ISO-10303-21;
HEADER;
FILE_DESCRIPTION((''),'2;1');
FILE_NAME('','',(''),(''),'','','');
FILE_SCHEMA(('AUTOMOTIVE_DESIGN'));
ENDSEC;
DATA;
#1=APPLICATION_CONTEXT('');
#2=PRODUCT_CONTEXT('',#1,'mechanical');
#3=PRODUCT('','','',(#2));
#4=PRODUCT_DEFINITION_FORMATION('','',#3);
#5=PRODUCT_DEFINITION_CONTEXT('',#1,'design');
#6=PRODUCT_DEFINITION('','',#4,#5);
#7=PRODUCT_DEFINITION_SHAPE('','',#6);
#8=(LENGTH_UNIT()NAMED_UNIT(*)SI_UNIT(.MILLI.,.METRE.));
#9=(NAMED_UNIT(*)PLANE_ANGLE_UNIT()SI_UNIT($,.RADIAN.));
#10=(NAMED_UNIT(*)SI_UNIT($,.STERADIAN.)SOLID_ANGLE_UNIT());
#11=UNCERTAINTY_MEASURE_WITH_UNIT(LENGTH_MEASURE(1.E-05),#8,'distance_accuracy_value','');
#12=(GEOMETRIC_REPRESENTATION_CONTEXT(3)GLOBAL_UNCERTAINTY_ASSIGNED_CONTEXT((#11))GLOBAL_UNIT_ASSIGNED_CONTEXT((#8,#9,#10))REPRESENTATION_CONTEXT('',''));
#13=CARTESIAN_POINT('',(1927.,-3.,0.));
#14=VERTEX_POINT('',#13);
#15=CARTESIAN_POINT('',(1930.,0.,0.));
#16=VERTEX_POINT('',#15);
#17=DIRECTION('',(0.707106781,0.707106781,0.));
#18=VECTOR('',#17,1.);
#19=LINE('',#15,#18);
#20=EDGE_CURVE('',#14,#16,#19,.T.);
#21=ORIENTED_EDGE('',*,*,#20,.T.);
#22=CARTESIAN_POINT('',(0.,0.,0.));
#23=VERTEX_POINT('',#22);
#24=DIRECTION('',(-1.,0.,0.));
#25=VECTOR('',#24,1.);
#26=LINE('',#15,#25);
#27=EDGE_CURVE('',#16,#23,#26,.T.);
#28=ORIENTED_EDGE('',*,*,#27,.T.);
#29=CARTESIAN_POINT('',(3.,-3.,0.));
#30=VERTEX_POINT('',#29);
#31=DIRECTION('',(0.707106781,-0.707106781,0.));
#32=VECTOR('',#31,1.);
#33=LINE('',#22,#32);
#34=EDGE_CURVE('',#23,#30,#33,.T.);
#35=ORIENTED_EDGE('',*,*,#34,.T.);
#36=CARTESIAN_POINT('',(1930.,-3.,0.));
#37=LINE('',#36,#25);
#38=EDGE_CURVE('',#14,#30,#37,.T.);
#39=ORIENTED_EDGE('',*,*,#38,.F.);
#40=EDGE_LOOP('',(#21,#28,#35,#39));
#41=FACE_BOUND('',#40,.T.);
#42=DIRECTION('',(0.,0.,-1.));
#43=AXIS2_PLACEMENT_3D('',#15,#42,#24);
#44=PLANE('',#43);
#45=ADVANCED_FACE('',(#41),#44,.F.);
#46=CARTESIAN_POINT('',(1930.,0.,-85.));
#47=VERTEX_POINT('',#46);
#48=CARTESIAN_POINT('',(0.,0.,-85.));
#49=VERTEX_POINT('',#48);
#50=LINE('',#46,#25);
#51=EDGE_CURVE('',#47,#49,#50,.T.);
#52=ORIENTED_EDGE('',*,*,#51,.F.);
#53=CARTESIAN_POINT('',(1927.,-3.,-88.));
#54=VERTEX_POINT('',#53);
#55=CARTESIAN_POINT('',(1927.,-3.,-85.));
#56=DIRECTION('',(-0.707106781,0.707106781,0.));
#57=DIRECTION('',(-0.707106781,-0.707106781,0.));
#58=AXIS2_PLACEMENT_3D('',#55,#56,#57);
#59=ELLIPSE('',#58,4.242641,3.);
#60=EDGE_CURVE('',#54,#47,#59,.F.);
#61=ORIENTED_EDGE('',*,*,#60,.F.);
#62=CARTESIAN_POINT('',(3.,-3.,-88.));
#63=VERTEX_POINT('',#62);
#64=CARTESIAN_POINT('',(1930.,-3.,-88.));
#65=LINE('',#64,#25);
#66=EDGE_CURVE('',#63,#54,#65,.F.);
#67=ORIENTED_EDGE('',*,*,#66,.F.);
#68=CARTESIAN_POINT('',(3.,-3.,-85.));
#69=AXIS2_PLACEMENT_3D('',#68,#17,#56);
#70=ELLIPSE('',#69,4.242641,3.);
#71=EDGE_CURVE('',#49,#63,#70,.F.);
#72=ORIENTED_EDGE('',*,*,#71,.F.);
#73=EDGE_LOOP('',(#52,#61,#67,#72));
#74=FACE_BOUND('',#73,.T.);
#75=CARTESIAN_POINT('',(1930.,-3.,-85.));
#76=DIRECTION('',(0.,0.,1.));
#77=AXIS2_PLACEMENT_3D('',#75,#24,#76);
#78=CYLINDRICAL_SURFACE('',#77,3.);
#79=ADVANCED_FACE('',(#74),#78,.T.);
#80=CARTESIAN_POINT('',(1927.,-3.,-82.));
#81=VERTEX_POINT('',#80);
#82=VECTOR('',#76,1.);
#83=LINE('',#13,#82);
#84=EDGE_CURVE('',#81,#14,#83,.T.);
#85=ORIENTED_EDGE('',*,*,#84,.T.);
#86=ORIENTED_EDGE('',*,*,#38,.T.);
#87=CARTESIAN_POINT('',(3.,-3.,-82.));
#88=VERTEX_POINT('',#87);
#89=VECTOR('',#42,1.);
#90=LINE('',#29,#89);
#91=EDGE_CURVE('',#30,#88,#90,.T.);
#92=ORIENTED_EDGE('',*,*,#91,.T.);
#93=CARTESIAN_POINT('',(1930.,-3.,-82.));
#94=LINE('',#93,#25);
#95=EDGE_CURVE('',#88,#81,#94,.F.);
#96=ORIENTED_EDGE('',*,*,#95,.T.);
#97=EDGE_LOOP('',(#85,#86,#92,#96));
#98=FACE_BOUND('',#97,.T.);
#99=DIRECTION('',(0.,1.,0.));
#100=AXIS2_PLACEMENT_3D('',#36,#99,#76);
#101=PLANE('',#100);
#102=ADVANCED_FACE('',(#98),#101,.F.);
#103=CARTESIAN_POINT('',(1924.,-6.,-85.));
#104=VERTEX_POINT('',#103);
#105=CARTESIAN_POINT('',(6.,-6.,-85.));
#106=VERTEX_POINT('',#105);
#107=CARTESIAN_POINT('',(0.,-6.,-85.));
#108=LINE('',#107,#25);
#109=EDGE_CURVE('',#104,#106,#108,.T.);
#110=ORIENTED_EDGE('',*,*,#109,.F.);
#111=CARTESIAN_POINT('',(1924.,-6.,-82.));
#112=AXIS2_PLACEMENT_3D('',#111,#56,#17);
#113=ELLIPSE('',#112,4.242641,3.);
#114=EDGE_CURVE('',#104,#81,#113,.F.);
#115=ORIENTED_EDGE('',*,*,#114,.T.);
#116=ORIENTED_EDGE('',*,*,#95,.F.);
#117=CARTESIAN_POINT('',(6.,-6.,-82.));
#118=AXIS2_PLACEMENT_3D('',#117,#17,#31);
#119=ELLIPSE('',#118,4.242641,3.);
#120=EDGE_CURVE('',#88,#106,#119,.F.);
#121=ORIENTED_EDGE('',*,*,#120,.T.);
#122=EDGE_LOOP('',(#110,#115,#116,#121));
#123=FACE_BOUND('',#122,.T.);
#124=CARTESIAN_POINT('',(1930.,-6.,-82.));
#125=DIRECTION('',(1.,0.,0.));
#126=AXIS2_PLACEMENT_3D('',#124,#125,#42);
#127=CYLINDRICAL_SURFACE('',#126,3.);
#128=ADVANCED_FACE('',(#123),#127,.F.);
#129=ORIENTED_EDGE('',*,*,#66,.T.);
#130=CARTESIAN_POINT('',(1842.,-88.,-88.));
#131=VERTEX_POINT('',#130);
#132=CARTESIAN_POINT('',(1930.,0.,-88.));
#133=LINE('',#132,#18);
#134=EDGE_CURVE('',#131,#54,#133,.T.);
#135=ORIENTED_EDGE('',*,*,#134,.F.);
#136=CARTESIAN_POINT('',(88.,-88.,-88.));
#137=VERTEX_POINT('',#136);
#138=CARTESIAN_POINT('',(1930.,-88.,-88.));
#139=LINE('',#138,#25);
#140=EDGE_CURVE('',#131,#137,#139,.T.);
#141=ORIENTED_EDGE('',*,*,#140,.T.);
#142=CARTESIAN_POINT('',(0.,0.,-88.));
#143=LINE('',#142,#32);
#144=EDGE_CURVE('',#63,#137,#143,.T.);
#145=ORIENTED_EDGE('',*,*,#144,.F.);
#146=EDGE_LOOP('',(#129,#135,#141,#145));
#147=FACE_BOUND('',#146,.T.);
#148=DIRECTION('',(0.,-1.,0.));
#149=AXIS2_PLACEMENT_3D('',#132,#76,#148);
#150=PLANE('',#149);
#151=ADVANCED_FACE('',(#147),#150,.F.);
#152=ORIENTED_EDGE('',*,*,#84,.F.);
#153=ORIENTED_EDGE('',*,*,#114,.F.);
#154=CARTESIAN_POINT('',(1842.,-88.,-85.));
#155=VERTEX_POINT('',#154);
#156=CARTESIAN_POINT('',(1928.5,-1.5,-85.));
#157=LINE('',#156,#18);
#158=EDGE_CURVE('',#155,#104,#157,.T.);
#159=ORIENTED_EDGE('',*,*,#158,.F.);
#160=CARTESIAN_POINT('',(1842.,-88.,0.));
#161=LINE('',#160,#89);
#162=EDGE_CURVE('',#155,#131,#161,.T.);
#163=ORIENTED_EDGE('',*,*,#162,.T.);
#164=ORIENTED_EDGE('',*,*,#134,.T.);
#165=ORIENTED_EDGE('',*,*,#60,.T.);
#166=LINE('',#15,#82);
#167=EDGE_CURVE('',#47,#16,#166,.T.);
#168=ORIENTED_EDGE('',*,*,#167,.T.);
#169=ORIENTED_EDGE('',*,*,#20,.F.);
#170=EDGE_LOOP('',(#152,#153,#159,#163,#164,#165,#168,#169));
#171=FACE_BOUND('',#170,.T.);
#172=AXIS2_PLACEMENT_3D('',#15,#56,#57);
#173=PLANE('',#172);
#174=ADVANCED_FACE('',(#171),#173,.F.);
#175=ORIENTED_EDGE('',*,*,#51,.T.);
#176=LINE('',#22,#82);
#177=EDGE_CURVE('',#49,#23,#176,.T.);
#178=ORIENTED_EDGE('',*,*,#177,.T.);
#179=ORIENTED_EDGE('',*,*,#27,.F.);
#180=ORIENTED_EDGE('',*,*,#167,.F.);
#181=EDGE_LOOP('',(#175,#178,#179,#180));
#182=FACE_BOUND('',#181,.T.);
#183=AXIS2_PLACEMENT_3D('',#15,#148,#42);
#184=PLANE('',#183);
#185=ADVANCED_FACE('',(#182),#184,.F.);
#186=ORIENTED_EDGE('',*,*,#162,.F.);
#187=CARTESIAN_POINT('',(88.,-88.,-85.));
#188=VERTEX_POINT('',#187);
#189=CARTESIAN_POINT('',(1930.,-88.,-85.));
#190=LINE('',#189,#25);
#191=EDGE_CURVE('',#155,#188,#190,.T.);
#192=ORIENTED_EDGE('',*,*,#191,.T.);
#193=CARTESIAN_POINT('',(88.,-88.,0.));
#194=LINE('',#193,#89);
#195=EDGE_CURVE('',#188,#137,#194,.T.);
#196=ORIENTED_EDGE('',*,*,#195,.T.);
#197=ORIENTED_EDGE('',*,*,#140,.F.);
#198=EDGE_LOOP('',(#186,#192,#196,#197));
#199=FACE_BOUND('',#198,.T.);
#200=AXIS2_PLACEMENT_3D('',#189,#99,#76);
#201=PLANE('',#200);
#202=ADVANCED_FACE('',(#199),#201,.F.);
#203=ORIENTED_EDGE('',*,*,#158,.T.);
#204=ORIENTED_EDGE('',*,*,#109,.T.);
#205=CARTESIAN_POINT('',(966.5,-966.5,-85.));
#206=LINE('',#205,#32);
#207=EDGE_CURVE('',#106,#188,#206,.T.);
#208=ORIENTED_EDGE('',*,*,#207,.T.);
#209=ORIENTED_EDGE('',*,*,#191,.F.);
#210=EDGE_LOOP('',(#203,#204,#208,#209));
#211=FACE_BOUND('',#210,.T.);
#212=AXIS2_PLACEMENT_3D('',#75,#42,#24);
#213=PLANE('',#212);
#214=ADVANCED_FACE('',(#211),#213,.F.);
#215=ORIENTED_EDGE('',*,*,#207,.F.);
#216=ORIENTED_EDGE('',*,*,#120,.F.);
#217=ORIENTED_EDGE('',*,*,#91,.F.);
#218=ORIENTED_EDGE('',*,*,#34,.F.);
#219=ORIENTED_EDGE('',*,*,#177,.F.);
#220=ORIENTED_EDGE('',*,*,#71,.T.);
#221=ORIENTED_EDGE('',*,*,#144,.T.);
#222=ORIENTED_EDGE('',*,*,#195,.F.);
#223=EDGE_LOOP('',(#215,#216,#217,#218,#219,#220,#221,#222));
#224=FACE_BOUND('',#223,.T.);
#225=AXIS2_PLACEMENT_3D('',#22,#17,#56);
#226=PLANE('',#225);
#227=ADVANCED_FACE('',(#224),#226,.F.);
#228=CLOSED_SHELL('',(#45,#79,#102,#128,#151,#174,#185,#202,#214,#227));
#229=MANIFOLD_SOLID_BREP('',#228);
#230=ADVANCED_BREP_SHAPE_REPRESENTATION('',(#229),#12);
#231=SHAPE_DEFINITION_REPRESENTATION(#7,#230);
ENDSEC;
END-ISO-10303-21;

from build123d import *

# Parameters (mm, degrees)
BOSS_EXTRUDE1_DEPTH = 1930
FILLET1_R           = 3
CUT_EXTRUDE1_DEPTH  = 88
CUT_EXTRUDE2_DEPTH  = 88


with BuildPart() as part:
    # Sketch1 → Boss-Extrude1 (new body)
    with BuildSketch(Plane(origin=(0, 0, 0), x_dir=(0, 0, -1), z_dir=(1, 0, 0))):
        Polygon((0, 0), (88, 0), (88, -88), (85, -88), (85, -3), (0, -3), align=None)
    extrude(amount=BOSS_EXTRUDE1_DEPTH)

    # Fillet1
    fillet1_edges = [part.edges().sort_by_distance(p)[0] for p in [
        (965, 0, -88),
        (965, -3, -85),
    ]]
    fillet(fillet1_edges, radius=FILLET1_R)

    # Sketch2 → Cut-Extrude1 (cut)
    with BuildSketch(Plane(origin=(0, 0, -88), x_dir=(-1, 0, 0), z_dir=(0, 0, -1))):
        Polygon((0, 0), (-88, -88), (0, -88), align=None)
    extrude(amount=-CUT_EXTRUDE1_DEPTH, mode=Mode.SUBTRACT)

    # Sketch3 → Cut-Extrude2 (cut)
    with BuildSketch(Plane(origin=(0, 0, -88), x_dir=(-1, 0, 0), z_dir=(0, 0, -1))):
        Polygon((-1930, 0), (-1842, -88), (-1930, -88), align=None)
    extrude(amount=-CUT_EXTRUDE2_DEPTH, mode=Mode.SUBTRACT)


solid = part.part
